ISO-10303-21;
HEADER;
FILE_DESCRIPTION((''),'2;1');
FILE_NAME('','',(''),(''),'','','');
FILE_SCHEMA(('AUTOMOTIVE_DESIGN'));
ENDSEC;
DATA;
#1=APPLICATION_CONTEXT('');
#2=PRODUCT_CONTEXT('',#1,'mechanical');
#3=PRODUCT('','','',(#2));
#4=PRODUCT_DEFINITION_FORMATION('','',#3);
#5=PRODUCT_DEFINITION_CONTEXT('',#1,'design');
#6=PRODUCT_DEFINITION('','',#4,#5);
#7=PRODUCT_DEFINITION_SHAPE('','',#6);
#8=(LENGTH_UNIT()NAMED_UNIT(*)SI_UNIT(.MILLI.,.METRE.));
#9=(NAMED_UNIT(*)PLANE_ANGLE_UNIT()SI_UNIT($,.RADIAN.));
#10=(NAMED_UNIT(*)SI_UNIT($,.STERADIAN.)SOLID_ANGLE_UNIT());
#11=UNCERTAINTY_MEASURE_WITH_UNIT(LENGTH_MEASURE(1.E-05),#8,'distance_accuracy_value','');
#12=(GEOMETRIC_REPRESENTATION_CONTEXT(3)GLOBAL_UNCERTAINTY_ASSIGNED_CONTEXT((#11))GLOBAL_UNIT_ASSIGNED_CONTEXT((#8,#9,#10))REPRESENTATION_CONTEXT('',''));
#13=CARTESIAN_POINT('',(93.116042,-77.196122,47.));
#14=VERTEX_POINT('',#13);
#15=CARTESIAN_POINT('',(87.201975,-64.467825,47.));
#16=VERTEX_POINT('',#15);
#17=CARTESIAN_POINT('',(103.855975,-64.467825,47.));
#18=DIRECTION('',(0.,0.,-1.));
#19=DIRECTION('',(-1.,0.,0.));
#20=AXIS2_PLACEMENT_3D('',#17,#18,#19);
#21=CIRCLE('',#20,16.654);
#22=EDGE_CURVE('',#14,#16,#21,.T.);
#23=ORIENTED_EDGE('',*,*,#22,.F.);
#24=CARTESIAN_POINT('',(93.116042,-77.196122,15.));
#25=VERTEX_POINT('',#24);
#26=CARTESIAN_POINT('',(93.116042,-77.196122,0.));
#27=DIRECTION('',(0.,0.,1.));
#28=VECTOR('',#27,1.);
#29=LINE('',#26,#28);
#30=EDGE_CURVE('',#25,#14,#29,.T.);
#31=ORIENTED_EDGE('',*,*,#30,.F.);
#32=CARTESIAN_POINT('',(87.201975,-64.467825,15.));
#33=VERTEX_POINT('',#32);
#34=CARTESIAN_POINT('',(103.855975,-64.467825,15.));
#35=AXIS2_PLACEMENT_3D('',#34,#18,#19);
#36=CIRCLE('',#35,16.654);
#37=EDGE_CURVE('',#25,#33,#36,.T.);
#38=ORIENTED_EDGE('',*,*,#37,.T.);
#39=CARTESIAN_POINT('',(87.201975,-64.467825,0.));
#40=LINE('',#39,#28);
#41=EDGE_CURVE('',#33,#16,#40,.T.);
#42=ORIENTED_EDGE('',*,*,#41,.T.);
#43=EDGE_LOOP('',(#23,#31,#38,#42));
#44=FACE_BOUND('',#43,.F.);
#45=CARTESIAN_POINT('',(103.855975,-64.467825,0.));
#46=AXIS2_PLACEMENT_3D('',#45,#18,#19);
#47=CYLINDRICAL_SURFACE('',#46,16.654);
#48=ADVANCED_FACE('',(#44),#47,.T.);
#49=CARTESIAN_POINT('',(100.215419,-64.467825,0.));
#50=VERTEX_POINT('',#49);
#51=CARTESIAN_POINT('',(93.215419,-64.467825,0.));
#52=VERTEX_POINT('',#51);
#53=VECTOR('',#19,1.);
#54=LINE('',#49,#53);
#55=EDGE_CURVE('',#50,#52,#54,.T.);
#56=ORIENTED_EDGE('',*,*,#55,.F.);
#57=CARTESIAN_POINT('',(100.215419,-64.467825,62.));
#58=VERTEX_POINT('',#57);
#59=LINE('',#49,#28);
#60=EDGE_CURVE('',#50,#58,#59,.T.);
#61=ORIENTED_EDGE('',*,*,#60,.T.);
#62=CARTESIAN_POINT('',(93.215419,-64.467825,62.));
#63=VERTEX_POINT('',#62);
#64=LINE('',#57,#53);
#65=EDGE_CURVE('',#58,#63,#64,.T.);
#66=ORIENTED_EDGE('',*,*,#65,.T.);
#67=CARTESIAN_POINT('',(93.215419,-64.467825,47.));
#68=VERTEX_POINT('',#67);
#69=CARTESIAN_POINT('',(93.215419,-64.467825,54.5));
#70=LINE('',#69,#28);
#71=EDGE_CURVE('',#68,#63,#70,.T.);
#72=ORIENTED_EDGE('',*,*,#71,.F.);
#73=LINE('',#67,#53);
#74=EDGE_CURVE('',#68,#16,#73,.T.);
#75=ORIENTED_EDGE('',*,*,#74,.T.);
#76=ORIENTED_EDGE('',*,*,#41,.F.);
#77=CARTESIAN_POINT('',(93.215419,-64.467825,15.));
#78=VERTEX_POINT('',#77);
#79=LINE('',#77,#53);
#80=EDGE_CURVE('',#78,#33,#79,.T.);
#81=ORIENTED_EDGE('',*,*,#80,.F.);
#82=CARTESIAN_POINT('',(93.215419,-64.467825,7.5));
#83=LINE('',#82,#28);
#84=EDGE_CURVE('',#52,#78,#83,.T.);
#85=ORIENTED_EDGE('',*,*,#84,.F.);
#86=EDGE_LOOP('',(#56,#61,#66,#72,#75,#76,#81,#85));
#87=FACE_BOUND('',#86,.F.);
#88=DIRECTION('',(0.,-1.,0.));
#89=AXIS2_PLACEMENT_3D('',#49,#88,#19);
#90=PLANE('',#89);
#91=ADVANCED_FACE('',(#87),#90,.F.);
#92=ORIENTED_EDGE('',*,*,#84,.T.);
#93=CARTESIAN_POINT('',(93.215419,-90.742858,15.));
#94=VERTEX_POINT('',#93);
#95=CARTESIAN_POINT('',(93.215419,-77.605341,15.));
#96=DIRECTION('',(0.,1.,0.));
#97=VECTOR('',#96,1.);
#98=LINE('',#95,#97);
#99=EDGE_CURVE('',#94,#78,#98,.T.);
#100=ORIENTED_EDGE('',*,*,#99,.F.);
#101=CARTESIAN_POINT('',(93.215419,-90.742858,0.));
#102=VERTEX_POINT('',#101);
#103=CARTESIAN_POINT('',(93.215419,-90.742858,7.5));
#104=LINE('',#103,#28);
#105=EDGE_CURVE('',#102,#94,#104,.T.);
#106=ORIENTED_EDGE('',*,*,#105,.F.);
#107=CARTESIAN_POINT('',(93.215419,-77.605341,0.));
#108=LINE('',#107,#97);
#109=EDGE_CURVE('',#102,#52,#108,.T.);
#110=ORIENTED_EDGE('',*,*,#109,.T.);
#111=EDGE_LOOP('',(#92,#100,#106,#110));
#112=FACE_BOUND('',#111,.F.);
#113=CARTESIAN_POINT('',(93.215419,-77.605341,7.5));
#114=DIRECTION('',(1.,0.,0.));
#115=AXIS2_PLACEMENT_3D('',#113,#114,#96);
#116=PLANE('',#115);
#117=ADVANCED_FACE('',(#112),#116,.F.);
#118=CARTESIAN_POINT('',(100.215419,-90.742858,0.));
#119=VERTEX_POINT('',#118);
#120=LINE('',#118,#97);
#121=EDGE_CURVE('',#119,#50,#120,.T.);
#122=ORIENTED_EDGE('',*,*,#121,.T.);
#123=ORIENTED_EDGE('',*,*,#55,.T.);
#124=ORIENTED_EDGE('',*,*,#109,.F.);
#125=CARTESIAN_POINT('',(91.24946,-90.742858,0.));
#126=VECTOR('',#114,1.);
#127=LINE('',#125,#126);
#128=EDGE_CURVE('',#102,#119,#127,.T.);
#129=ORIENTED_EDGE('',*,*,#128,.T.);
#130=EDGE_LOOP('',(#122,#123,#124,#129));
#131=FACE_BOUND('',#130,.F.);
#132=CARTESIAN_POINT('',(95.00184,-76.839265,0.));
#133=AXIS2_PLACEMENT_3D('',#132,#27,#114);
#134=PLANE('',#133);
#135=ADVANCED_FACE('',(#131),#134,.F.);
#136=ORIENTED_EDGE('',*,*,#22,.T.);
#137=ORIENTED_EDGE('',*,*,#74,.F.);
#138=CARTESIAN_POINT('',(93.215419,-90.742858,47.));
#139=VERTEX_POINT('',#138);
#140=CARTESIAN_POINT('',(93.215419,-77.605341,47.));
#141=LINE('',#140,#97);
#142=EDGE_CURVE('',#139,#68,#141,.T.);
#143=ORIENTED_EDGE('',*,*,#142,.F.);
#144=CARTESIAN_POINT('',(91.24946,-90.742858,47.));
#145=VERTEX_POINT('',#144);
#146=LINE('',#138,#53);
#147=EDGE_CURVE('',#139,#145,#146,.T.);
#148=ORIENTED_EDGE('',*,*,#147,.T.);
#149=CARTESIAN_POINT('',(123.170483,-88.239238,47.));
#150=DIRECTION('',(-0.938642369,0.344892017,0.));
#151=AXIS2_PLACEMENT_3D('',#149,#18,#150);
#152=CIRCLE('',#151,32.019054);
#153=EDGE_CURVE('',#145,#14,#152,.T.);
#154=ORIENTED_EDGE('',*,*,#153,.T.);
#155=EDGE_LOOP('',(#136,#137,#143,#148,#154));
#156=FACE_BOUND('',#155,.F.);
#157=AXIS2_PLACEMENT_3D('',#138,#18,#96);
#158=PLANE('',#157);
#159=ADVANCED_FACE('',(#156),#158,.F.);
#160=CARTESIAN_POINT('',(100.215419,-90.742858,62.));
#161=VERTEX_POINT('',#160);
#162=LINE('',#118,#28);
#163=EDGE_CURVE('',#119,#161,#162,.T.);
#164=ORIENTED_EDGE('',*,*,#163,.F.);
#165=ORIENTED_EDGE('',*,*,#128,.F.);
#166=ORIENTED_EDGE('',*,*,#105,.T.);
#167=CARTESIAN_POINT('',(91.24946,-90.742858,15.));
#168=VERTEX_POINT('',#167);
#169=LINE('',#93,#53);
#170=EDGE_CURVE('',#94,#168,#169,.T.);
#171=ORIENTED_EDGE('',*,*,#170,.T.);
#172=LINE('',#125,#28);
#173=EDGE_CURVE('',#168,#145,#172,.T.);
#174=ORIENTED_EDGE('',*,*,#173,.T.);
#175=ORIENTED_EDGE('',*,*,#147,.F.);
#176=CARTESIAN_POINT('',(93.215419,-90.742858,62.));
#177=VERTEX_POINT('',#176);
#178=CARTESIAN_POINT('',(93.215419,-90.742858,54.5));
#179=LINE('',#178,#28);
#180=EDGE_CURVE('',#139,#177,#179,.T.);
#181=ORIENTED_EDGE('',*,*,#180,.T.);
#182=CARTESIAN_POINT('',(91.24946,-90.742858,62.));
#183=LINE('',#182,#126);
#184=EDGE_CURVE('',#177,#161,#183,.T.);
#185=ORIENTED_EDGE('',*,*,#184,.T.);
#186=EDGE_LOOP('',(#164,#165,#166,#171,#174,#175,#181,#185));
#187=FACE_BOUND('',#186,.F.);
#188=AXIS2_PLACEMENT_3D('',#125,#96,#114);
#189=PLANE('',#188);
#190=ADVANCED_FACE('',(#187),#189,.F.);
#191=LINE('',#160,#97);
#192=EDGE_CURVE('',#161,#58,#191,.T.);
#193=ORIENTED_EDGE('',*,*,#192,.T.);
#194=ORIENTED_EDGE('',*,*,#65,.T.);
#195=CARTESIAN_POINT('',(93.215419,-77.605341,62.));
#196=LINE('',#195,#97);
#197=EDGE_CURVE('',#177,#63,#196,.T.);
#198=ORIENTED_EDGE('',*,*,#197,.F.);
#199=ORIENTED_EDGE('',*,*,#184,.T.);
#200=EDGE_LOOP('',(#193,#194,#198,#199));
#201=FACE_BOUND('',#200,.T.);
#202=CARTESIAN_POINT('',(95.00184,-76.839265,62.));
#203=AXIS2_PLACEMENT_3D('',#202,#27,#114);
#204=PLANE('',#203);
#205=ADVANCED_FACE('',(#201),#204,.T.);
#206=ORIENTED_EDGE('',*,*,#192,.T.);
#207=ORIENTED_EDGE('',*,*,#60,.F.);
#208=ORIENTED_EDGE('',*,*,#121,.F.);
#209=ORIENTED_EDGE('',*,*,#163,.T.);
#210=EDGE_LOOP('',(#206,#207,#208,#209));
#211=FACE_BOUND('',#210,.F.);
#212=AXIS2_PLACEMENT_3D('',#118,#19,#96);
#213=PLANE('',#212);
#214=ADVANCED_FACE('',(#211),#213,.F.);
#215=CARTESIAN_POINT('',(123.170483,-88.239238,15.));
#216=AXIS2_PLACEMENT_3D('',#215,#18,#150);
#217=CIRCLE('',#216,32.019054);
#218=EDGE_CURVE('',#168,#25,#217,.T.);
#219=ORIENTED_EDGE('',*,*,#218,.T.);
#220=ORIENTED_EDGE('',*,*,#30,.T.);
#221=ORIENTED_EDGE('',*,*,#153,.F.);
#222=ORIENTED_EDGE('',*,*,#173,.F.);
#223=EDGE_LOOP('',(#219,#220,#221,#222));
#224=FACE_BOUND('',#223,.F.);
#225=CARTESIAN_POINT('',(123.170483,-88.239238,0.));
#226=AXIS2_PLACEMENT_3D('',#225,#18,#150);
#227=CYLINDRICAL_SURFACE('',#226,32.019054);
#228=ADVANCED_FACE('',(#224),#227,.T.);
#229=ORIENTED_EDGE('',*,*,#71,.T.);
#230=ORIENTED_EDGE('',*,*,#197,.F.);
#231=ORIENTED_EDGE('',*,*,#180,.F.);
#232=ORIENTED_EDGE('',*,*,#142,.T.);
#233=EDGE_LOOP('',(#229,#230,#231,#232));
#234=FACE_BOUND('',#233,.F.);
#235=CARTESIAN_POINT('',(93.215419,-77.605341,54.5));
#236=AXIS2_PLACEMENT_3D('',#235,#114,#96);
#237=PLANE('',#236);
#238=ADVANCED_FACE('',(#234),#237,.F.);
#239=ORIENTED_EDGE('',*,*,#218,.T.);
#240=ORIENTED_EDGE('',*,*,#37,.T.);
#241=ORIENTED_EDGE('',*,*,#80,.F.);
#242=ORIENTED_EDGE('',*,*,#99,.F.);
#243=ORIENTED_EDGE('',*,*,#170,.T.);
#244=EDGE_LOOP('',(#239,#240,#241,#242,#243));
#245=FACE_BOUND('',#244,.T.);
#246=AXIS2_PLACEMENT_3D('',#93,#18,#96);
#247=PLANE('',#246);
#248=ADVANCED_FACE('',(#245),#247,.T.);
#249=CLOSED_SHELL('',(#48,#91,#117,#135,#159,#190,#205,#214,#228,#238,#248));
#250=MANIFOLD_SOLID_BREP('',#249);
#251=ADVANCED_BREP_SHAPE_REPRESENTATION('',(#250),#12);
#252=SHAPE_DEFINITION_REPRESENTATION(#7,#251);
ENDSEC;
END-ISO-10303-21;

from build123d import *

# Parameters (mm, degrees)
F1_DEPTH = 62
F3_W     = 26.2750325567
F3_H     = 15
F4_DEPTH = 25


with BuildPart() as f1:
    # F0 (on Top) → F1 (new body)
    with BuildSketch(Plane.XY):
        with BuildLine():
            Line((100.2154187574, -64.4678249955), (87.201975286, -64.4678249955))
            ThreePointArc((87.201975286, -64.4678249955), (88.7526881566, -71.4854053398), (93.1160420433, -77.1961222085))
            ThreePointArc((93.1160420433, -77.1961222085), (91.4511190136, -83.8686795317), (91.2494597241, -90.7428575522))
            Line((91.2494597241, -90.7428575522), (100.2154187574, -90.7428575522))
            Line((100.2154187574, -90.7428575522), (100.2154187574, -64.4678249955))
        make_face()
    extrude(amount=F1_DEPTH)

    # F3 (on offset) → F4 (cut)
    with BuildSketch(Plane.YZ.offset(93.2154187574)):
        with Locations((-77.6053412739, 54.5)):
            Rectangle(F3_W, F3_H)
        with Locations((-77.6053412739, 7.5)):
            Rectangle(F3_W, F3_H)
    extrude(amount=-F4_DEPTH, mode=Mode.SUBTRACT)


solid = f1.part
